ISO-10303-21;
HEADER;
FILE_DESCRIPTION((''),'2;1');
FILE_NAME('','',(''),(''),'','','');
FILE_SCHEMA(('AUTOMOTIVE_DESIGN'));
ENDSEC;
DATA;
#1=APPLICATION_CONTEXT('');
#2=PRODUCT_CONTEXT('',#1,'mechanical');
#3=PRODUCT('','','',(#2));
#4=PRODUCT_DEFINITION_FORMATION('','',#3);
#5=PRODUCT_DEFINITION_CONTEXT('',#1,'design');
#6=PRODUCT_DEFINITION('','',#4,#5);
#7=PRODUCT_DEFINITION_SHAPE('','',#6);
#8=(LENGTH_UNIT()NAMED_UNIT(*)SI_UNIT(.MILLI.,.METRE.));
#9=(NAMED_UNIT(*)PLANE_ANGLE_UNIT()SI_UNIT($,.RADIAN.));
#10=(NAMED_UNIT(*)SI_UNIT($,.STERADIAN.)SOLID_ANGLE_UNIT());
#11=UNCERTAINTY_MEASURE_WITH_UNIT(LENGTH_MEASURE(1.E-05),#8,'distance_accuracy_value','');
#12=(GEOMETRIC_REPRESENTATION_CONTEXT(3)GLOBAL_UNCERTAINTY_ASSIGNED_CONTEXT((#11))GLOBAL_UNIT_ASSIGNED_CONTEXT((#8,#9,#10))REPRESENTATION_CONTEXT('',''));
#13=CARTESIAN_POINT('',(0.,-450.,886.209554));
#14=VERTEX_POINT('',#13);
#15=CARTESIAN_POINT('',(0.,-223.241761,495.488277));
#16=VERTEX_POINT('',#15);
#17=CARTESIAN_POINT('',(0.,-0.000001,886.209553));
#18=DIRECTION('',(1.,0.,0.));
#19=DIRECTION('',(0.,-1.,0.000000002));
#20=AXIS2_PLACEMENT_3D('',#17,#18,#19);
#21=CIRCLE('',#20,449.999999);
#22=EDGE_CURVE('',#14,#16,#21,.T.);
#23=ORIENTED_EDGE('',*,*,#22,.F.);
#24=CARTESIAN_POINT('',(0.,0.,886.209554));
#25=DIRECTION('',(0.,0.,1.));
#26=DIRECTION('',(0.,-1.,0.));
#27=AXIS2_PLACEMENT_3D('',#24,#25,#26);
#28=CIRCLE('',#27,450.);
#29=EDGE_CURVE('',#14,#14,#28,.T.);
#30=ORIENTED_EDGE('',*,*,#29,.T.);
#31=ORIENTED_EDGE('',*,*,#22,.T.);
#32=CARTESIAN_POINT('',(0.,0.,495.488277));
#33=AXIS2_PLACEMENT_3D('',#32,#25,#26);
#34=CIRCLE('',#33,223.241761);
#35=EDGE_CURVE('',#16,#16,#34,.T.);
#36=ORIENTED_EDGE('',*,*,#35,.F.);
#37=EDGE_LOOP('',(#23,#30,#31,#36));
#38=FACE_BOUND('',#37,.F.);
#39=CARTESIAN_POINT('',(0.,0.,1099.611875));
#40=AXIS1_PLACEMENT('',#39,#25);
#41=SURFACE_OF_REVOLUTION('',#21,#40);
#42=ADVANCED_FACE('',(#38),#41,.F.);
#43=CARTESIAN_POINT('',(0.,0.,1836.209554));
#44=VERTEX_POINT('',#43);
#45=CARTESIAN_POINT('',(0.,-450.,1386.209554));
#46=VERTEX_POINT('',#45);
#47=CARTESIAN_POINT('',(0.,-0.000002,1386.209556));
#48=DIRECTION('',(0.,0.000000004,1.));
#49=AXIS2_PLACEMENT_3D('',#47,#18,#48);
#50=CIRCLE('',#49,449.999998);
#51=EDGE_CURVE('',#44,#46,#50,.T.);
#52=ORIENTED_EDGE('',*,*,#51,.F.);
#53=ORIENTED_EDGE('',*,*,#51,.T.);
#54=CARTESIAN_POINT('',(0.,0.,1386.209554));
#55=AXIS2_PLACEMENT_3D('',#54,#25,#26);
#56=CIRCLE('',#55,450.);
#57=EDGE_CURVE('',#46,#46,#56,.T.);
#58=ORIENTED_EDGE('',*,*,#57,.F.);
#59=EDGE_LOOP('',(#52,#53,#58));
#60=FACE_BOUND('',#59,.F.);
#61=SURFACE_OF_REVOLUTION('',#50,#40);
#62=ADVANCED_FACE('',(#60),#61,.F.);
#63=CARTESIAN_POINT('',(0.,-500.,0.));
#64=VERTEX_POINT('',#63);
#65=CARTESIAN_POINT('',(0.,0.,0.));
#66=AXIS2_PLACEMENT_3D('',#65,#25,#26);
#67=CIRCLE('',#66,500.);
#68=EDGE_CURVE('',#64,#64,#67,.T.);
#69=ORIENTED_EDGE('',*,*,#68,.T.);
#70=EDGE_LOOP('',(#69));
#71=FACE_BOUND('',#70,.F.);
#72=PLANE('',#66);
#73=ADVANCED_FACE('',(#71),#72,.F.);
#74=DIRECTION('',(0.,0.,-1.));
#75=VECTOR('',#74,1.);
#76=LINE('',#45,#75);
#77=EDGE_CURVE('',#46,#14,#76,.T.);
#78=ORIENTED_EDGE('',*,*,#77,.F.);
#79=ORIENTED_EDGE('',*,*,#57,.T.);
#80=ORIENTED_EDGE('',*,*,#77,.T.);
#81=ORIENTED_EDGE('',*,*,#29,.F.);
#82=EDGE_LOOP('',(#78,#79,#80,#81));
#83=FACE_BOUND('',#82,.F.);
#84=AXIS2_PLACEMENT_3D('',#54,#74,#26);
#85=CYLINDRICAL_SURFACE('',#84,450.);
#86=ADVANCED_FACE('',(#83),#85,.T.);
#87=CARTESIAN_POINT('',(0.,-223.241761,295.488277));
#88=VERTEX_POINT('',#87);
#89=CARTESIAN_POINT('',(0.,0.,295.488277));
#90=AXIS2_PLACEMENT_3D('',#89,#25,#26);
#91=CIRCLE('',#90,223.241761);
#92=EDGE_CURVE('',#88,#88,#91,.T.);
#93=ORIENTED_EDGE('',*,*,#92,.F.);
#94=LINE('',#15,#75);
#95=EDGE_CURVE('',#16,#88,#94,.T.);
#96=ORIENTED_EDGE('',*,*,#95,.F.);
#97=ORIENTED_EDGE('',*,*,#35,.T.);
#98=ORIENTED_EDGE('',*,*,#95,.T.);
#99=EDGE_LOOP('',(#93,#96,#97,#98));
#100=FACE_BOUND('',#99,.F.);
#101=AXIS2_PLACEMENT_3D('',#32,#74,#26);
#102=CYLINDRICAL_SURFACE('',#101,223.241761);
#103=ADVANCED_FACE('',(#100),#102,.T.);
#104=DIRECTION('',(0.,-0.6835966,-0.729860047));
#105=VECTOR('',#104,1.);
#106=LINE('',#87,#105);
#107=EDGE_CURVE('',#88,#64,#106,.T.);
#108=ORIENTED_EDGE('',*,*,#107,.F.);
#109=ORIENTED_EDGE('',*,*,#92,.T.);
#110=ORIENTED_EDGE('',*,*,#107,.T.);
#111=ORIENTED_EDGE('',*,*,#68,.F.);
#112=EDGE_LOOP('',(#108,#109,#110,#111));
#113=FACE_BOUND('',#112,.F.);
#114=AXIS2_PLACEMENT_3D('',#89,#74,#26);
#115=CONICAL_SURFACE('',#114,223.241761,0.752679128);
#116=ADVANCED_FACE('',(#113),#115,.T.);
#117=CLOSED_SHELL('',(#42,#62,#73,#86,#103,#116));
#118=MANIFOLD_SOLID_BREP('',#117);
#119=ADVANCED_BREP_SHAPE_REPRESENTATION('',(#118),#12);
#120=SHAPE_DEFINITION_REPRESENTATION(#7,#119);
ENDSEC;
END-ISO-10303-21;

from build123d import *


with BuildPart() as f1:
    # F0 (on Right) → F1 (revolve)
    with BuildSketch(Plane.YZ):
        with BuildLine():
            Line((-500, 0), (0, 0))
            Line((0, 0), (0, 1836.209554))
            ThreePointArc((0, 1836.209554), (-318.198052, 1704.407606), (-450, 1386.209554))
            Line((-450, 1386.209554), (-450, 886.209554))
            ThreePointArc((-450, 886.209554), (-389.203541, 660.332145), (-223.241761, 495.488277))
            Line((-223.241761, 495.488277), (-223.241761, 295.488277))
            Line((-223.241761, 295.488277), (-500, 0))
        make_face()
    revolve(axis=Axis((0, 0, 1099.611875), (0, 0, 1)))


solid = f1.part
